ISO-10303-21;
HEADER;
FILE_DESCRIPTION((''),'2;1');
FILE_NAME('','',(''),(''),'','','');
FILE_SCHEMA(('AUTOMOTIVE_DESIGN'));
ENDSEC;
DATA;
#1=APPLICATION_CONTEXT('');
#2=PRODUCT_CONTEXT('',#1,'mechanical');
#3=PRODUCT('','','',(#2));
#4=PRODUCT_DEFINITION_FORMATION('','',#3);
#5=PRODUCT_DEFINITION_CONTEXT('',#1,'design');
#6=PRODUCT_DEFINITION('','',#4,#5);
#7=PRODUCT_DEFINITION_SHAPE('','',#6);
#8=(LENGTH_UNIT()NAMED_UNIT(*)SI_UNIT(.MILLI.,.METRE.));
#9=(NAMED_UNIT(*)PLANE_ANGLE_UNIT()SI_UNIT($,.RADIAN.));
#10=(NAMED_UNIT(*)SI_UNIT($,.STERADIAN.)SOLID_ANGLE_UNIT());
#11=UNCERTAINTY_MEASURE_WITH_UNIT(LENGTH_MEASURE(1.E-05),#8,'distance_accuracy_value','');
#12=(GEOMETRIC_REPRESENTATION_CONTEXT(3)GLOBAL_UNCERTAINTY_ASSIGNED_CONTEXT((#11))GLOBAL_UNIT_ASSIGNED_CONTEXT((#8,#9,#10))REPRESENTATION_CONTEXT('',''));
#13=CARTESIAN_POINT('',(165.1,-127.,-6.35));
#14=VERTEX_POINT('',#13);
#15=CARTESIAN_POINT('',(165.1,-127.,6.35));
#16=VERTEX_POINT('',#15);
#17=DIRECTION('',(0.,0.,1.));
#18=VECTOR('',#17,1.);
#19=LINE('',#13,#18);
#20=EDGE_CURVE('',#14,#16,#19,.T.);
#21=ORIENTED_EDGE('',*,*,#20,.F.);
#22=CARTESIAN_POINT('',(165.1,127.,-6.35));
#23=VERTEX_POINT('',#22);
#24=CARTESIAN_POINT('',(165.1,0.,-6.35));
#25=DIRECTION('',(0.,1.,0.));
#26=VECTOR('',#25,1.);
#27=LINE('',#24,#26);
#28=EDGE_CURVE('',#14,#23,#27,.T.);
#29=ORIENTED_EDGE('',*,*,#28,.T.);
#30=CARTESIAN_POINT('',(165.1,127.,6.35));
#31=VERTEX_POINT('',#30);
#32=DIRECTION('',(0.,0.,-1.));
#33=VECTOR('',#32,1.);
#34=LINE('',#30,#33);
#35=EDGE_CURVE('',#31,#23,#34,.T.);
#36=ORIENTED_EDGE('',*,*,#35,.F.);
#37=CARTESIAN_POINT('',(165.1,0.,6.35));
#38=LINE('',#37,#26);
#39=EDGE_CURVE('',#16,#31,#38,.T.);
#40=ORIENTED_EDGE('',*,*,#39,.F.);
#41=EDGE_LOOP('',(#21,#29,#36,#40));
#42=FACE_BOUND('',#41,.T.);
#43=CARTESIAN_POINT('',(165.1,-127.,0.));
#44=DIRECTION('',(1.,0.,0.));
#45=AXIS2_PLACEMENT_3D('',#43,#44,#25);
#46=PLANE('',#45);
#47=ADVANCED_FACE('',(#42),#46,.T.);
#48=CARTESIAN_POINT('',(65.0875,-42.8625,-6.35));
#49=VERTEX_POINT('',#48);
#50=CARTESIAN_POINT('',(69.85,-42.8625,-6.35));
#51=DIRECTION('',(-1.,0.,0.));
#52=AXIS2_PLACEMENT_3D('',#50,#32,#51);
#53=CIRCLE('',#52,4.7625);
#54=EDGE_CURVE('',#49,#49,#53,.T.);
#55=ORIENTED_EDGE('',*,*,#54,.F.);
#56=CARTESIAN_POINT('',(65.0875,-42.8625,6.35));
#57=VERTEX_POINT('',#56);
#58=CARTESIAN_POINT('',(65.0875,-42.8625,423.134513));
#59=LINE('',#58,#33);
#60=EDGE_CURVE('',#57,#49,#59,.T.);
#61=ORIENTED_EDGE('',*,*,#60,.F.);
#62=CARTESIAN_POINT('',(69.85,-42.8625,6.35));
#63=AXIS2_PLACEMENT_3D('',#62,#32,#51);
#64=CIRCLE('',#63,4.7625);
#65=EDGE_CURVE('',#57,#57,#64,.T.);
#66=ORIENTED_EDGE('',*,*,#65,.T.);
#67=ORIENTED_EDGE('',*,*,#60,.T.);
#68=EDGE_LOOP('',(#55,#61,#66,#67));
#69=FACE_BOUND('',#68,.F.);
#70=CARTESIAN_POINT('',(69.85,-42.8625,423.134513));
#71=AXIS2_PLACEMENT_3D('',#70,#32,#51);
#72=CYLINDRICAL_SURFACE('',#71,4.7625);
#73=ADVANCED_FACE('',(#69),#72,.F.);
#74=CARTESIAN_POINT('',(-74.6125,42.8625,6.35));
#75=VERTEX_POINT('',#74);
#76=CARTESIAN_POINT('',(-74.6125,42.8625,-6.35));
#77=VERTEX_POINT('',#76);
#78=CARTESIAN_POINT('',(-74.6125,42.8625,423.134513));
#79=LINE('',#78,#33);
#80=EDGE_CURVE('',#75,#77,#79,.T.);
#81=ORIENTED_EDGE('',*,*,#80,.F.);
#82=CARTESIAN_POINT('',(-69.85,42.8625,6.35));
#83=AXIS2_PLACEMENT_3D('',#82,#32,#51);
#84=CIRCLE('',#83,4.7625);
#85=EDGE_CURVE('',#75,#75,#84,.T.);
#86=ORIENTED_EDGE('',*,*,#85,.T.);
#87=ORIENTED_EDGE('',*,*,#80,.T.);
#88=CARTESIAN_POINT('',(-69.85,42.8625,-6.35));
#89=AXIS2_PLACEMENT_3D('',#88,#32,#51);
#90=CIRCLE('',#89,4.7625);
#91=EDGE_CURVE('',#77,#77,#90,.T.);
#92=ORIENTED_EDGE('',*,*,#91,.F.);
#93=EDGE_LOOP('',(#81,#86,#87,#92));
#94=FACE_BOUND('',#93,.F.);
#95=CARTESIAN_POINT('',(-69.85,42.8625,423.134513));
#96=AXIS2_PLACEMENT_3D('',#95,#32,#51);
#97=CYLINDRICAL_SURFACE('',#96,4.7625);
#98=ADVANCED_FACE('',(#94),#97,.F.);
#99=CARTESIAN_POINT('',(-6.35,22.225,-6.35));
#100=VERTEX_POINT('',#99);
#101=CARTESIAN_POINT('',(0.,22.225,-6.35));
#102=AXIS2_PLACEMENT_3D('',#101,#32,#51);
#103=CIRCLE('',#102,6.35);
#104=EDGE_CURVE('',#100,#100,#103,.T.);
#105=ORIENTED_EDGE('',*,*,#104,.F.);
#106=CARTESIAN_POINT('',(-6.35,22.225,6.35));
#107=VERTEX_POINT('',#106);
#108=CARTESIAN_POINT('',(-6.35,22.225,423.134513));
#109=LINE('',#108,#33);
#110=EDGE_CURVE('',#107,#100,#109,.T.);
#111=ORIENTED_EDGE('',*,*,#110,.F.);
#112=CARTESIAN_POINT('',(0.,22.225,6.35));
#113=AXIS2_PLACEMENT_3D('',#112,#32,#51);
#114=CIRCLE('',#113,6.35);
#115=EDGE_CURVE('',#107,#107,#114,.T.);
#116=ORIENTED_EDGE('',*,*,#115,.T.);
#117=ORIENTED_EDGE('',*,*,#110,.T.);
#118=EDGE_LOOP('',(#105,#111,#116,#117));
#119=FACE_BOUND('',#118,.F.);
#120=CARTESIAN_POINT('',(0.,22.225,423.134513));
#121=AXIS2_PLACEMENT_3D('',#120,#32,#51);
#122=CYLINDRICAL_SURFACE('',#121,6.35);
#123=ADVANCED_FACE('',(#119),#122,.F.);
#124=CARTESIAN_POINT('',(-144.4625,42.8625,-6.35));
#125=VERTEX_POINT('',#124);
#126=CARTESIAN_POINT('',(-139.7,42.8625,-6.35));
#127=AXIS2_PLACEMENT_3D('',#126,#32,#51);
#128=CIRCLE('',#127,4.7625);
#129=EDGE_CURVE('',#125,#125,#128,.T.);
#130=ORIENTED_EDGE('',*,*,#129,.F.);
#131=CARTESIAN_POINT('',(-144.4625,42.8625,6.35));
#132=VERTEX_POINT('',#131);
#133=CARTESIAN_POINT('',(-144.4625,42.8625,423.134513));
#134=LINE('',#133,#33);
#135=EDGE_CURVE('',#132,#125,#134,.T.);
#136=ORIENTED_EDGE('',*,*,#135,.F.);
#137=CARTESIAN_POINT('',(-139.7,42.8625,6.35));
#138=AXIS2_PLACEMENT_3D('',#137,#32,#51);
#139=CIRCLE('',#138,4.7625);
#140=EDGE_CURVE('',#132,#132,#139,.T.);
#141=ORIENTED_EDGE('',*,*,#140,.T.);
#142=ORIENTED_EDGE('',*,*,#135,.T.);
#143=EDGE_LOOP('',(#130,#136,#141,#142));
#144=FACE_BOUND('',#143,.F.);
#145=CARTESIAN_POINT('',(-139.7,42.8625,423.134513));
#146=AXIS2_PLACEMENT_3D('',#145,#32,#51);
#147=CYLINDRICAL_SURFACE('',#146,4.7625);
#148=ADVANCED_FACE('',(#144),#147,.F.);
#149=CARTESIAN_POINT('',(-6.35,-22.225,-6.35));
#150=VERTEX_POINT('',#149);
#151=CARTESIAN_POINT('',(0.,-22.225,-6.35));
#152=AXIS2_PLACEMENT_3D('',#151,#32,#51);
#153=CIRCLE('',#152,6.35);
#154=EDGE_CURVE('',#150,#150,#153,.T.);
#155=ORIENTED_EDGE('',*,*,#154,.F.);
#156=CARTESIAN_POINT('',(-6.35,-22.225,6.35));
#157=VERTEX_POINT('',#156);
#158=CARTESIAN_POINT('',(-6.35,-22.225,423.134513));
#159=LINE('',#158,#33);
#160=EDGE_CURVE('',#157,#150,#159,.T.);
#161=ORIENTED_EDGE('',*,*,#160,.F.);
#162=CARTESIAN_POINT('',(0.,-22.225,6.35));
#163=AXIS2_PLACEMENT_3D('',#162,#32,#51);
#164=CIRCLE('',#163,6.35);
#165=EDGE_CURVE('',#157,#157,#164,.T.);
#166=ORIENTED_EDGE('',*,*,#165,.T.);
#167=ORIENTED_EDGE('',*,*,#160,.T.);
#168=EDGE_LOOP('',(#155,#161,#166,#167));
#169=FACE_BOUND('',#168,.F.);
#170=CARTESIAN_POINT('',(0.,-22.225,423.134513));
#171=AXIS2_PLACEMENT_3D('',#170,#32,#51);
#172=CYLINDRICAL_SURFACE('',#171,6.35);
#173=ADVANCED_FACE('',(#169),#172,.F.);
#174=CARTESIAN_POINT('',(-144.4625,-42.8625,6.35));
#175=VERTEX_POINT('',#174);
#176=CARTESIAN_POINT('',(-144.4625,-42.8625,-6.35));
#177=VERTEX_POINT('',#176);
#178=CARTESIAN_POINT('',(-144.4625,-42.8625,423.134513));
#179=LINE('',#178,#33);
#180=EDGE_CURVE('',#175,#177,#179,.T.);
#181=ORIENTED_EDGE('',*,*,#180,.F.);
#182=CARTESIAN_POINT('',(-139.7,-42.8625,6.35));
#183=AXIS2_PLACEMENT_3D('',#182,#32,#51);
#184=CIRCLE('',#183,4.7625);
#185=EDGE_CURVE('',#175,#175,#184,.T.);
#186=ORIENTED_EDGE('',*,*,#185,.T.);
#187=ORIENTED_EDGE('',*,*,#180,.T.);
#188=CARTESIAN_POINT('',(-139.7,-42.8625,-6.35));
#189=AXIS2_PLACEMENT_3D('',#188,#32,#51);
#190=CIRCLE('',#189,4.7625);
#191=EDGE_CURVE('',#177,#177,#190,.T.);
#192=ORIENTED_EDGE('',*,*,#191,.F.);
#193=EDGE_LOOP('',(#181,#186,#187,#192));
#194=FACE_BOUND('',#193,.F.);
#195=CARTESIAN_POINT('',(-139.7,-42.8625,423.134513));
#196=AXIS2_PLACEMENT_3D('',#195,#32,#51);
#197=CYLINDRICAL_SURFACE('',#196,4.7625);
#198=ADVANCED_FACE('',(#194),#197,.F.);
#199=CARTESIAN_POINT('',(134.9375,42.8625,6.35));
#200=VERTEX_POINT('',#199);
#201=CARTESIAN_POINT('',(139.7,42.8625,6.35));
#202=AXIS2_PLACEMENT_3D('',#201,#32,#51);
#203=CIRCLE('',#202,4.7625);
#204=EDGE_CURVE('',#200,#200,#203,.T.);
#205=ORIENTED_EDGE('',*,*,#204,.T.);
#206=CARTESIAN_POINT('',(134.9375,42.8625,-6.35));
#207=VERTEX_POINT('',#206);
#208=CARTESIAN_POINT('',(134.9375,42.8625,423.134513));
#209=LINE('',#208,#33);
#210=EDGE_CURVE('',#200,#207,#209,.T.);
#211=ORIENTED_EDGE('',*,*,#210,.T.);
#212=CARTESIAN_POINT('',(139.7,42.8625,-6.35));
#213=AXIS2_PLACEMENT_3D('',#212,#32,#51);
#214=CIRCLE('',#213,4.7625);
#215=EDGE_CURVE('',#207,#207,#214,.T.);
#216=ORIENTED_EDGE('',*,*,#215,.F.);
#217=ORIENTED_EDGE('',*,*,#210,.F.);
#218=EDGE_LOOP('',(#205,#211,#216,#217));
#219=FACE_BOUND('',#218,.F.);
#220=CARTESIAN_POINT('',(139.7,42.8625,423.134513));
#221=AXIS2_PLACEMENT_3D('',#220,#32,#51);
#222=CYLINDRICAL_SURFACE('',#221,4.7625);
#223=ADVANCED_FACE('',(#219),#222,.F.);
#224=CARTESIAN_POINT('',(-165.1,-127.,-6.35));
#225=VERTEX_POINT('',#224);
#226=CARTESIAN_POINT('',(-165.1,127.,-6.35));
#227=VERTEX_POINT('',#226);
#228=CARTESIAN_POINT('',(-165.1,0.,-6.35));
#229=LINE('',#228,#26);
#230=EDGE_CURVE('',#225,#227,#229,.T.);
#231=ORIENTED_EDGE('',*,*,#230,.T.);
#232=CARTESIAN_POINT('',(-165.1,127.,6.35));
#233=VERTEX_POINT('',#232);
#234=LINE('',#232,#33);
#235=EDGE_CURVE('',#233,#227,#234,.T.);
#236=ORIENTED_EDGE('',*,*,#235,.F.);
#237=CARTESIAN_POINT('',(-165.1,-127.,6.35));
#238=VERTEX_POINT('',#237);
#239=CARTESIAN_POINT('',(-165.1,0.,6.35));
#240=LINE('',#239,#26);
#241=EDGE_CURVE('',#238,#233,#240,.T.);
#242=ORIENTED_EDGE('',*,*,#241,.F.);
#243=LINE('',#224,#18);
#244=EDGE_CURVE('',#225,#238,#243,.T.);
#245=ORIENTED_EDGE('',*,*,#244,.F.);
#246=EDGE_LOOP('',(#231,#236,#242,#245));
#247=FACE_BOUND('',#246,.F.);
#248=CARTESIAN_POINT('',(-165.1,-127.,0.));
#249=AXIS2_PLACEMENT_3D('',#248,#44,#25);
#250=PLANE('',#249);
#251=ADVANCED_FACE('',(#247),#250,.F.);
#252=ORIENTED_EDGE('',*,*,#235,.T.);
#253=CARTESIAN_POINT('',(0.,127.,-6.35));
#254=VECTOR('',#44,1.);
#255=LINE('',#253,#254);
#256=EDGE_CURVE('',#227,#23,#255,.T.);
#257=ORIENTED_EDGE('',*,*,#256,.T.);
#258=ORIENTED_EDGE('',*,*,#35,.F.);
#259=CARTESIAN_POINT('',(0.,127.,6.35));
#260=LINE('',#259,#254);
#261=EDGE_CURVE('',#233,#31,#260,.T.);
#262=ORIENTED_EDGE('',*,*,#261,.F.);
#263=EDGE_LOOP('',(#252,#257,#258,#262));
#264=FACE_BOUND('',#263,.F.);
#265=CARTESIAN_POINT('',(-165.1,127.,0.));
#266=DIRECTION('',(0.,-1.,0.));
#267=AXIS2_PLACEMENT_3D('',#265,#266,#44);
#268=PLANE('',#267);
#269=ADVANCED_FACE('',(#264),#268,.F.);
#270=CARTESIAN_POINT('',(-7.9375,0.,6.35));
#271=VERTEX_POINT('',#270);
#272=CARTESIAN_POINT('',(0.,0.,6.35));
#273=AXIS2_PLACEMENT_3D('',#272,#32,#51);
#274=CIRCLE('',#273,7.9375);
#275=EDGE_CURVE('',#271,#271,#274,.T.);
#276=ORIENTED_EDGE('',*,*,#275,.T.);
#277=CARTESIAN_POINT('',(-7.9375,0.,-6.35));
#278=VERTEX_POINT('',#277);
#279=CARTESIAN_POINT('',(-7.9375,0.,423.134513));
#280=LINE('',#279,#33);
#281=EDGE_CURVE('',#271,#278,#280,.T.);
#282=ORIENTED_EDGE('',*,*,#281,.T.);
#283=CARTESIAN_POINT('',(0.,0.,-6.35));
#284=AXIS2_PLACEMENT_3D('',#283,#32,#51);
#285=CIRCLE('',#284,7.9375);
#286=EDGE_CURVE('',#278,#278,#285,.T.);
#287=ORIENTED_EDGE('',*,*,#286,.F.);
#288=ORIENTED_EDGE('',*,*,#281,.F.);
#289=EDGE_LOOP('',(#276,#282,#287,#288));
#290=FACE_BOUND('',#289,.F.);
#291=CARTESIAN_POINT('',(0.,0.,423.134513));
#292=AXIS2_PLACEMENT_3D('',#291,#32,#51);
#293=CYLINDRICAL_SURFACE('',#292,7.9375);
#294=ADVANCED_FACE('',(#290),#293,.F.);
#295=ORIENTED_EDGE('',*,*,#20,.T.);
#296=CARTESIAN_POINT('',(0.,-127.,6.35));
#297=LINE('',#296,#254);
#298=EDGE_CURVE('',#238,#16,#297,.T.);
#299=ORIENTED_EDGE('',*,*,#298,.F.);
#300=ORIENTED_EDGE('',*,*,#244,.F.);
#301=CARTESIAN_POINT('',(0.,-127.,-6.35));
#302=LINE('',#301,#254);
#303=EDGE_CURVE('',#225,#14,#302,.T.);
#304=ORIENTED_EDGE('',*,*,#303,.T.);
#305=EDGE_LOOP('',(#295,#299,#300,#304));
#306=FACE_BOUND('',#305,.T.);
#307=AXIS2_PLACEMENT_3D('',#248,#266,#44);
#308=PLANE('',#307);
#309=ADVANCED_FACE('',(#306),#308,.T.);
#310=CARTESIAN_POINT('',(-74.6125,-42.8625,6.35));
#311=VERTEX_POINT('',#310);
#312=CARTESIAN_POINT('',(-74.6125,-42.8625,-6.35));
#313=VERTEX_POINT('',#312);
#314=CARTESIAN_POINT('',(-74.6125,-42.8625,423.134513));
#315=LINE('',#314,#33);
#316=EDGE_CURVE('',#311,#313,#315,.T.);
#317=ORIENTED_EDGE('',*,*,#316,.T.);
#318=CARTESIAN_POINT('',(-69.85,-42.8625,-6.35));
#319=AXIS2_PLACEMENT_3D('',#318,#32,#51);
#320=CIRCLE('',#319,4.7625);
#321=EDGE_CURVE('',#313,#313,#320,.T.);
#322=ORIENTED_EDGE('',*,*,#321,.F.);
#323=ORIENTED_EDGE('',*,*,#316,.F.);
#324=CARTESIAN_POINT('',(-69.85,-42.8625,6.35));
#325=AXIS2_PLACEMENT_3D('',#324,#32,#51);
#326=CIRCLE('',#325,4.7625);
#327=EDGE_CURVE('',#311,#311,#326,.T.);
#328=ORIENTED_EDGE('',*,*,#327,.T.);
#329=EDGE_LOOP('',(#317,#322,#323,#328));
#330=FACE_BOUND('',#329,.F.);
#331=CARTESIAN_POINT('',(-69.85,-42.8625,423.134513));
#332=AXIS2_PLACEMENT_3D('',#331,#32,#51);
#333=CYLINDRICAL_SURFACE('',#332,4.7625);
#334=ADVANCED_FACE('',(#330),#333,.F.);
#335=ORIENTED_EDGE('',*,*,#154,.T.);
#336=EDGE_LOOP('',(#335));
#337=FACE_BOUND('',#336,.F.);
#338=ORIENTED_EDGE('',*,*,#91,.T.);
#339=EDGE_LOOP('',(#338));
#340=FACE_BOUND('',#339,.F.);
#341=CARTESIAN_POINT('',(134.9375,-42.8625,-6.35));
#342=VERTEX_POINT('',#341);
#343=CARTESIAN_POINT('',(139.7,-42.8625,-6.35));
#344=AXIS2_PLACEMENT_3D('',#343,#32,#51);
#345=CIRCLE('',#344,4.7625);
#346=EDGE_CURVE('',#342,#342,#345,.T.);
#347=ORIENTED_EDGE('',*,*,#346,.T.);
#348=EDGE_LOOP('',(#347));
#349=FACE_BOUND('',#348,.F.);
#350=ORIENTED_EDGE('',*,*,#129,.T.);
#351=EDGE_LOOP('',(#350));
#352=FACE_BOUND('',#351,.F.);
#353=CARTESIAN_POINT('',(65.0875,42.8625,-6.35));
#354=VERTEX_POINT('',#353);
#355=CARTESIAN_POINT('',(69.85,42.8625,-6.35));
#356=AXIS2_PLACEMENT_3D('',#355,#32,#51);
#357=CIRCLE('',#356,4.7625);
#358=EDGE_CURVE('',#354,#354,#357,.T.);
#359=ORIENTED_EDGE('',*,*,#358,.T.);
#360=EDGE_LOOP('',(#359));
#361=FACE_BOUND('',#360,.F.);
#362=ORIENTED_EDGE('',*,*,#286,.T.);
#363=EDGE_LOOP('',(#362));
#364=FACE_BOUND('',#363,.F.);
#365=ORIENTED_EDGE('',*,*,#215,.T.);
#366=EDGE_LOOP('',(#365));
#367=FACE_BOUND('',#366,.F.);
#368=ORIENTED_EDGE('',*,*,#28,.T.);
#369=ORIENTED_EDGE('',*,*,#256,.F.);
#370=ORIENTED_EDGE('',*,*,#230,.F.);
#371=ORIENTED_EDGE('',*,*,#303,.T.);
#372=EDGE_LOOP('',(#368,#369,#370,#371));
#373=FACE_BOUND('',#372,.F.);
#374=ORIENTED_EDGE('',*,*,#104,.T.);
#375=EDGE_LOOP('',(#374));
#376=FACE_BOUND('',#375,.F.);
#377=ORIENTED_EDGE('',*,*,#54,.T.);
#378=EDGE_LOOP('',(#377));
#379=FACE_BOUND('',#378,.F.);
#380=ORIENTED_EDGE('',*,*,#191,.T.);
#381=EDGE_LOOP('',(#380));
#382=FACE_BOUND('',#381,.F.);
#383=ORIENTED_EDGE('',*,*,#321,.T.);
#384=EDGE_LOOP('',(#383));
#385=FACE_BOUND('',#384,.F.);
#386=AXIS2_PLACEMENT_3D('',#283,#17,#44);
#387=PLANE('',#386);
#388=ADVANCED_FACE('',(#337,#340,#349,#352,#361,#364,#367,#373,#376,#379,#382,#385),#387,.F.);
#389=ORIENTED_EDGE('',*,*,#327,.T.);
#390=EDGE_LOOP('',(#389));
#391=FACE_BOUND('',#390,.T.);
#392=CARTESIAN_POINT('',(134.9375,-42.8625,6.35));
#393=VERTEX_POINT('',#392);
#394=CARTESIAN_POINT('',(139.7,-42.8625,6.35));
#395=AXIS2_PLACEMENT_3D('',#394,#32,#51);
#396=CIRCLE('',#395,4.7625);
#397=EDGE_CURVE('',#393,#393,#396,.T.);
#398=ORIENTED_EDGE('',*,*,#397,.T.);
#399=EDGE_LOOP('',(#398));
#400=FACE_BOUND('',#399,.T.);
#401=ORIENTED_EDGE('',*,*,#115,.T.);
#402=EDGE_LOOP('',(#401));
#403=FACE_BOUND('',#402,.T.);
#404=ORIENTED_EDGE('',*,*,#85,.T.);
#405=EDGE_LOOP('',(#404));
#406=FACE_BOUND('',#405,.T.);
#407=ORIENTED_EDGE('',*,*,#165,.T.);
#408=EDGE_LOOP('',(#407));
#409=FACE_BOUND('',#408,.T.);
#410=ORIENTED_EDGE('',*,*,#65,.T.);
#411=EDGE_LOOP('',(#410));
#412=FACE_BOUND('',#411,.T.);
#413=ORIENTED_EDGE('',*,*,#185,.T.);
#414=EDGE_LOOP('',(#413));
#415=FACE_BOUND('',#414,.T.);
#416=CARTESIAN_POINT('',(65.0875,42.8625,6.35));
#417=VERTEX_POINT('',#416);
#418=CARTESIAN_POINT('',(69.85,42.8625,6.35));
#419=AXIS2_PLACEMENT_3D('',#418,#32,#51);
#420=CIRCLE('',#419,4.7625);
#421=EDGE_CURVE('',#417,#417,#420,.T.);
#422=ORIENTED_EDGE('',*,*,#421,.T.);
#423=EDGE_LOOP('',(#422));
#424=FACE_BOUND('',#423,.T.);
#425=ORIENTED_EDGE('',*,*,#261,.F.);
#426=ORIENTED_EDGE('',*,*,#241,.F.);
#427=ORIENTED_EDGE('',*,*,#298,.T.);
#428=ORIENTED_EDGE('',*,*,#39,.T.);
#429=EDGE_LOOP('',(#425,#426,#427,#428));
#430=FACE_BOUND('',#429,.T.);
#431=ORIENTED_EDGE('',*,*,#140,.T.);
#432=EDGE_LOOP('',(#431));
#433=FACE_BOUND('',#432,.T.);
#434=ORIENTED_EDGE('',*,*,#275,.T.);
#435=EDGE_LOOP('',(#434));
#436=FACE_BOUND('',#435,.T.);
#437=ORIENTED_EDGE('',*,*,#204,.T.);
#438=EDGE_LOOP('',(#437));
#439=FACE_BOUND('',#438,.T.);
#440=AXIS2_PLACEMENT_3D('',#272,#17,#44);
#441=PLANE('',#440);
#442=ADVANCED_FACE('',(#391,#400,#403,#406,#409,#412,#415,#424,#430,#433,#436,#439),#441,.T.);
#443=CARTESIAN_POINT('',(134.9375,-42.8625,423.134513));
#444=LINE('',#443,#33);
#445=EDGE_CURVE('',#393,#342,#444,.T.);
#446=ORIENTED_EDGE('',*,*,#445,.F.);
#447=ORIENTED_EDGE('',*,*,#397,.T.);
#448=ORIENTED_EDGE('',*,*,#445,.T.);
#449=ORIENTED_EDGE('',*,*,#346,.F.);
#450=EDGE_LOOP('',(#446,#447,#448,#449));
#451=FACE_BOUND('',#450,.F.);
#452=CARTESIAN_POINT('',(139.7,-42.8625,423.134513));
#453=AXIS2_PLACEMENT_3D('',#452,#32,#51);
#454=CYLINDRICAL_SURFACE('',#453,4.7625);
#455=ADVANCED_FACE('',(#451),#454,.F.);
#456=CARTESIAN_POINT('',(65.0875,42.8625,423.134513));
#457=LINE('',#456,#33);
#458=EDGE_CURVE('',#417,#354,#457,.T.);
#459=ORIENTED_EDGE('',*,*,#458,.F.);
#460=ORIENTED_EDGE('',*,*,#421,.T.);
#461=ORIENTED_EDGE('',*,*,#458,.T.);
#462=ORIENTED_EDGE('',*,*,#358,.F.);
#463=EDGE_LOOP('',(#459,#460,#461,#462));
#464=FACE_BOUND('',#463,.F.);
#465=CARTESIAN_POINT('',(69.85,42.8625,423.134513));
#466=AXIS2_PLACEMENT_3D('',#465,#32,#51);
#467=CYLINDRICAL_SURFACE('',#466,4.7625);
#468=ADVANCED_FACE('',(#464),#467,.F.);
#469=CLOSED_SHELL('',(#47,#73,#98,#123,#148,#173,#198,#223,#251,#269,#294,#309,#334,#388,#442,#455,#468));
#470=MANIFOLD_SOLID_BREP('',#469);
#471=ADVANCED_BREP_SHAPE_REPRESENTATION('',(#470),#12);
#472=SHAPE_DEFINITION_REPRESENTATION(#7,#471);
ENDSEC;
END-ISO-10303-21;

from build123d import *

# Parameters (mm, degrees)
F0_W     = 330.2
F0_H     = 254
F1_DEPTH = 6.35
F3_D     = 12.7
F5_D     = 15.875
F7_D     = 9.525


with BuildPart() as f1:
    # F0 (on Top) → F1 (new body, symmetric)
    with BuildSketch(Plane.XY):
        Rectangle(F0_W, F0_H)
    extrude(amount=F1_DEPTH, both=True)

    # F3 (through all)
    with Locations(Plane.XY.offset(6.35)):
        with Locations((0, 22.225), (0, -22.225)):
            Hole(F3_D / 2)

    # F5 (through all)
    with Locations(Plane.XY.offset(6.35)):
        with Locations((0, 0)):
            Hole(F5_D / 2)

    # F7 (through all)
    with Locations(Plane.XY.offset(6.35)):
        with Locations((-69.85, 42.8625), (-139.7, 42.8625), (-139.7, -42.8625), (-69.85, -42.8625), (69.85, 42.8625), (139.7, 42.8625), (139.7, -42.8625), (69.85, -42.8625)):
            Hole(F7_D / 2)


solid = f1.part
